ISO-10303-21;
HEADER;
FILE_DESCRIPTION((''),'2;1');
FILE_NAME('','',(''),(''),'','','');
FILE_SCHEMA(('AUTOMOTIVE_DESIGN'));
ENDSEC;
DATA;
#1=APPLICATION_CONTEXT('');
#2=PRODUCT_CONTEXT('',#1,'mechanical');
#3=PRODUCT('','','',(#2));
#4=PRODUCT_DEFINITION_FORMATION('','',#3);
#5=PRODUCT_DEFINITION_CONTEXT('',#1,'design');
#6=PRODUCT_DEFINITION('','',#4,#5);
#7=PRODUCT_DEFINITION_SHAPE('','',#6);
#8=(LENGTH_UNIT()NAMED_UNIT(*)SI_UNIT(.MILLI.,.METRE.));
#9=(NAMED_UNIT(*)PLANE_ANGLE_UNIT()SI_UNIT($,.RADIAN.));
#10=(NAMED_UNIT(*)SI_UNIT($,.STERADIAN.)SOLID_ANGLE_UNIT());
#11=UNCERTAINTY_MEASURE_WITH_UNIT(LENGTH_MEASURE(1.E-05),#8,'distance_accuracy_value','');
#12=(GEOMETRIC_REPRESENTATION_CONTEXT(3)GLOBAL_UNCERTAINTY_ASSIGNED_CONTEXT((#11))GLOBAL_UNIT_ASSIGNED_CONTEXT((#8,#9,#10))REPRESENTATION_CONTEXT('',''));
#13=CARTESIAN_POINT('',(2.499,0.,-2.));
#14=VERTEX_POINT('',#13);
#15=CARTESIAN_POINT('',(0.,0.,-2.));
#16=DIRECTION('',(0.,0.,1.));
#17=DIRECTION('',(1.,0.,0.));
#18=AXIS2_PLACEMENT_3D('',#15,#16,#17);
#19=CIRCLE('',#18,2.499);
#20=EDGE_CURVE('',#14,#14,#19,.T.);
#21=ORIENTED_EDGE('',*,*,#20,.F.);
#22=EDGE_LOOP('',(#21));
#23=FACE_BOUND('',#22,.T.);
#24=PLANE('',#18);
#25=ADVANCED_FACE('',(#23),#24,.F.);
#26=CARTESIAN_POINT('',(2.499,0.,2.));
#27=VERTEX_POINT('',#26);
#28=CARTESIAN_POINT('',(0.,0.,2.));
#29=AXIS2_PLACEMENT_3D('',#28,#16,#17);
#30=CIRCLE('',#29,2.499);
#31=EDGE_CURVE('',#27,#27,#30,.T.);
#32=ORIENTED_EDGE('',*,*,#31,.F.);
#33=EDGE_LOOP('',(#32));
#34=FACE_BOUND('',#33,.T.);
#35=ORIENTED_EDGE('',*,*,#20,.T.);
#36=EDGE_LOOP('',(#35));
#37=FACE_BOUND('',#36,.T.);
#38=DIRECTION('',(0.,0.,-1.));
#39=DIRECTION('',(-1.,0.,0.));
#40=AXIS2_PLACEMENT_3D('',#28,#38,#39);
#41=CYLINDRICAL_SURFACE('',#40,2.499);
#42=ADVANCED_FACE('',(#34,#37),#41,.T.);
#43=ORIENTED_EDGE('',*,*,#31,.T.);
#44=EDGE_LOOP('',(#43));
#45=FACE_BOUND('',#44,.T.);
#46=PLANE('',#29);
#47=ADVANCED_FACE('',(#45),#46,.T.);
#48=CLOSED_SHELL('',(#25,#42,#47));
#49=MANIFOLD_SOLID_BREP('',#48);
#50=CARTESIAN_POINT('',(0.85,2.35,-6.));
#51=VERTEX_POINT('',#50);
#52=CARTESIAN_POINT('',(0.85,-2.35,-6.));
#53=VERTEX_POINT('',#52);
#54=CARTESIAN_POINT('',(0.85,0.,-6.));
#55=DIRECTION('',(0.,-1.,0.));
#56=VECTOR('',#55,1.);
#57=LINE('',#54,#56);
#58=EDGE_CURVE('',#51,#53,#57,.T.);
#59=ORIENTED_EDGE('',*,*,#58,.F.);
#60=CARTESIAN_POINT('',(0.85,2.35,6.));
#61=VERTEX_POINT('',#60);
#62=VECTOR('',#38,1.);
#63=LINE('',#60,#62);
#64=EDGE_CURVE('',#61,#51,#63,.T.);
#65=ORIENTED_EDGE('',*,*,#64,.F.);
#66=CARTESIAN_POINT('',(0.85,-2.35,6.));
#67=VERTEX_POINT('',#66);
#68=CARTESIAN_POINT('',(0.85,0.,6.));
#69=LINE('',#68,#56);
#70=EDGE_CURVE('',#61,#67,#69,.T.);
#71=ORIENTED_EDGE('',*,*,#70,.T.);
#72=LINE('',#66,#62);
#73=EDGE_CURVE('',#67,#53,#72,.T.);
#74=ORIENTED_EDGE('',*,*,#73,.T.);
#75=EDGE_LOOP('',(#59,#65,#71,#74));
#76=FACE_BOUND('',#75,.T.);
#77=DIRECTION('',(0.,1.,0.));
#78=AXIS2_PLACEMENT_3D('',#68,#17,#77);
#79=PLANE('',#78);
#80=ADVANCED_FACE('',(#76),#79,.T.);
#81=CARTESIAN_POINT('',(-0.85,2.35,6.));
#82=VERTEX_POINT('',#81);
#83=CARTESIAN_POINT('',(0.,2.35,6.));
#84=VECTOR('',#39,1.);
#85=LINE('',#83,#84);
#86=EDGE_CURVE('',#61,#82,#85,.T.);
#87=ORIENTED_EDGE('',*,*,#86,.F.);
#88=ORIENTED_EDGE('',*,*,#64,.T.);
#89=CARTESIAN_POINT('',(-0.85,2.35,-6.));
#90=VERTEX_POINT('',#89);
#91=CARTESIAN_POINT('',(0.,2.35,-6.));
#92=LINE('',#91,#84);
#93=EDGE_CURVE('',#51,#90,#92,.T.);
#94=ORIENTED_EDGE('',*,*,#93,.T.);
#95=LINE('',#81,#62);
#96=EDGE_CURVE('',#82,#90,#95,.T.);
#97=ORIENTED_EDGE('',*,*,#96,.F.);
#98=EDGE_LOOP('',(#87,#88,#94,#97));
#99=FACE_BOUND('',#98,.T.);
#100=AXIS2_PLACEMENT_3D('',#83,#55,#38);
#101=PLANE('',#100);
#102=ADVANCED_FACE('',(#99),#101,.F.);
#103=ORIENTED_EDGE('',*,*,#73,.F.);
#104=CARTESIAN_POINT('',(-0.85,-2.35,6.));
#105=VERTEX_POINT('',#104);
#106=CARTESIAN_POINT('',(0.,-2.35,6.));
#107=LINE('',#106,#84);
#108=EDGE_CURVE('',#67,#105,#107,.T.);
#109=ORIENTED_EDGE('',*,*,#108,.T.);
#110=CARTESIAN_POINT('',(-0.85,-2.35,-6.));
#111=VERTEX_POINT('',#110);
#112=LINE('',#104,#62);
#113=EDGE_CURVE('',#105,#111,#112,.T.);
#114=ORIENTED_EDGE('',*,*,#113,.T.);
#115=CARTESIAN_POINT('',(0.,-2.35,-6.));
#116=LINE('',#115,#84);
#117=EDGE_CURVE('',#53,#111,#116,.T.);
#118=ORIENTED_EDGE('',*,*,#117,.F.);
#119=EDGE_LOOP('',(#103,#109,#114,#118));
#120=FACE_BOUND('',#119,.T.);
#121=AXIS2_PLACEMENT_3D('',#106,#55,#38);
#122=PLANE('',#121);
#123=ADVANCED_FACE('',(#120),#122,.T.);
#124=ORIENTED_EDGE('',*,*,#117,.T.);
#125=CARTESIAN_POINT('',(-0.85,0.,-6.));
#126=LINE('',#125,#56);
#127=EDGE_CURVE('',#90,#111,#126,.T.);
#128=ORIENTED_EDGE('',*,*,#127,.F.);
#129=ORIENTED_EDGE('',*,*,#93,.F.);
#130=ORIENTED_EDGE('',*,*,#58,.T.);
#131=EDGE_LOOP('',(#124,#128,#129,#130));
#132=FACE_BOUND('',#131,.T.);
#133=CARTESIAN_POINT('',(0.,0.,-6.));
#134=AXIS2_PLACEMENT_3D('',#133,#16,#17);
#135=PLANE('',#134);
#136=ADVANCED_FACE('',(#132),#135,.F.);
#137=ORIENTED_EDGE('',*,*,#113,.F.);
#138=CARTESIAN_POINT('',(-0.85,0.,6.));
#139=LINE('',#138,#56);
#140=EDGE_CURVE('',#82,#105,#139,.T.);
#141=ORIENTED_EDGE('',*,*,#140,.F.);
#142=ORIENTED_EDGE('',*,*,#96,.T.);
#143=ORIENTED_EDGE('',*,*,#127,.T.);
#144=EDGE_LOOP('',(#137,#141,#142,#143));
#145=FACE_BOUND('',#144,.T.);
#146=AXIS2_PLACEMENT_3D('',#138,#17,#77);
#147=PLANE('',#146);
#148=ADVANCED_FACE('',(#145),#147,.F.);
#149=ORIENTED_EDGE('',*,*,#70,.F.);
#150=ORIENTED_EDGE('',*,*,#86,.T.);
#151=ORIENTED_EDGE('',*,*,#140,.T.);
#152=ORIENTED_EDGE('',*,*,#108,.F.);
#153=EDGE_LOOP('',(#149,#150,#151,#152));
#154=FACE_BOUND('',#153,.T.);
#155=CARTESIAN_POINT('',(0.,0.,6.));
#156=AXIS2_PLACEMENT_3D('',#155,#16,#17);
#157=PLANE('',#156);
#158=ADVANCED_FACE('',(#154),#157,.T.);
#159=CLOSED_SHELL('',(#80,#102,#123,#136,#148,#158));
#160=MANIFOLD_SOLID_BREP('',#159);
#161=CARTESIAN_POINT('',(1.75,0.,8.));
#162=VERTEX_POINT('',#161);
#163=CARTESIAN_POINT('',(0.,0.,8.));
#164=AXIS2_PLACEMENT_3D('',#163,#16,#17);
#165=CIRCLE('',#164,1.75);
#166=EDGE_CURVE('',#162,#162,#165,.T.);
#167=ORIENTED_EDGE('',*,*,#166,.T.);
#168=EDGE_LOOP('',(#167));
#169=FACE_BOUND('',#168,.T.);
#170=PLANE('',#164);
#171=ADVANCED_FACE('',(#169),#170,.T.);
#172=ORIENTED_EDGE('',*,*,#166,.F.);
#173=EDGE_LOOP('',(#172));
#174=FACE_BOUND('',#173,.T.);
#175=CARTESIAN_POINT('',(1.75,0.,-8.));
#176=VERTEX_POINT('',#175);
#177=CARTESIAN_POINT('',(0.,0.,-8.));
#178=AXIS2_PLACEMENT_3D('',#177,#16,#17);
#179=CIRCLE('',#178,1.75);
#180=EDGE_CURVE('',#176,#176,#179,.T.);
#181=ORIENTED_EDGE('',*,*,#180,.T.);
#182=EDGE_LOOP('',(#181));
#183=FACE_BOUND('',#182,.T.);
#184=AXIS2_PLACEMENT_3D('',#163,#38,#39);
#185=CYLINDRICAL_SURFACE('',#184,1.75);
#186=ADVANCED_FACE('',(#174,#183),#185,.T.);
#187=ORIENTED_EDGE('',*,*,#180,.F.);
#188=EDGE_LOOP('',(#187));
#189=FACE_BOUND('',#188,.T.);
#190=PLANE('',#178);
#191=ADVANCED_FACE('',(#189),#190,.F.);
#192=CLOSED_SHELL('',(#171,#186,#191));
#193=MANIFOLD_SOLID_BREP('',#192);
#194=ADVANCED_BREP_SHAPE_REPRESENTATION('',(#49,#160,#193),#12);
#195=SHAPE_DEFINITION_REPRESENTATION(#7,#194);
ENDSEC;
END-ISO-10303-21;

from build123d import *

# Parameters (mm, degrees)
SKETCH1_R           = 2.4989998
BOSS_EXTRUDE1_DEPTH = 2
SKETCH1_4_W         = 1.7
SKETCH1_4_H         = 4.7
BOSS_EXTRUDE2_DEPTH = 6
SKETCH1_5_R         = 1.75
BOSS_EXTRUDE3_DEPTH = 8


with BuildPart() as part:
    # Sketch1 → Boss-Extrude1 (new, symmetric)
    with BuildSketch(Plane.XY):
        Circle(SKETCH1_R)
    extrude(amount=BOSS_EXTRUDE1_DEPTH, both=True)


with BuildPart() as body_2:
    # Sketch1<4> → Boss-Extrude2 (new, symmetric)
    with BuildSketch(Plane.XY):
        Rectangle(SKETCH1_4_W, SKETCH1_4_H)
    extrude(amount=BOSS_EXTRUDE2_DEPTH, both=True)


with BuildPart() as body_3:
    # Sketch1<5> → Boss-Extrude3 (new, symmetric)
    with BuildSketch(Plane.XY):
        Circle(SKETCH1_5_R)
    extrude(amount=BOSS_EXTRUDE3_DEPTH, both=True)


solid = Compound([part.part, body_2.part, body_3.part])
